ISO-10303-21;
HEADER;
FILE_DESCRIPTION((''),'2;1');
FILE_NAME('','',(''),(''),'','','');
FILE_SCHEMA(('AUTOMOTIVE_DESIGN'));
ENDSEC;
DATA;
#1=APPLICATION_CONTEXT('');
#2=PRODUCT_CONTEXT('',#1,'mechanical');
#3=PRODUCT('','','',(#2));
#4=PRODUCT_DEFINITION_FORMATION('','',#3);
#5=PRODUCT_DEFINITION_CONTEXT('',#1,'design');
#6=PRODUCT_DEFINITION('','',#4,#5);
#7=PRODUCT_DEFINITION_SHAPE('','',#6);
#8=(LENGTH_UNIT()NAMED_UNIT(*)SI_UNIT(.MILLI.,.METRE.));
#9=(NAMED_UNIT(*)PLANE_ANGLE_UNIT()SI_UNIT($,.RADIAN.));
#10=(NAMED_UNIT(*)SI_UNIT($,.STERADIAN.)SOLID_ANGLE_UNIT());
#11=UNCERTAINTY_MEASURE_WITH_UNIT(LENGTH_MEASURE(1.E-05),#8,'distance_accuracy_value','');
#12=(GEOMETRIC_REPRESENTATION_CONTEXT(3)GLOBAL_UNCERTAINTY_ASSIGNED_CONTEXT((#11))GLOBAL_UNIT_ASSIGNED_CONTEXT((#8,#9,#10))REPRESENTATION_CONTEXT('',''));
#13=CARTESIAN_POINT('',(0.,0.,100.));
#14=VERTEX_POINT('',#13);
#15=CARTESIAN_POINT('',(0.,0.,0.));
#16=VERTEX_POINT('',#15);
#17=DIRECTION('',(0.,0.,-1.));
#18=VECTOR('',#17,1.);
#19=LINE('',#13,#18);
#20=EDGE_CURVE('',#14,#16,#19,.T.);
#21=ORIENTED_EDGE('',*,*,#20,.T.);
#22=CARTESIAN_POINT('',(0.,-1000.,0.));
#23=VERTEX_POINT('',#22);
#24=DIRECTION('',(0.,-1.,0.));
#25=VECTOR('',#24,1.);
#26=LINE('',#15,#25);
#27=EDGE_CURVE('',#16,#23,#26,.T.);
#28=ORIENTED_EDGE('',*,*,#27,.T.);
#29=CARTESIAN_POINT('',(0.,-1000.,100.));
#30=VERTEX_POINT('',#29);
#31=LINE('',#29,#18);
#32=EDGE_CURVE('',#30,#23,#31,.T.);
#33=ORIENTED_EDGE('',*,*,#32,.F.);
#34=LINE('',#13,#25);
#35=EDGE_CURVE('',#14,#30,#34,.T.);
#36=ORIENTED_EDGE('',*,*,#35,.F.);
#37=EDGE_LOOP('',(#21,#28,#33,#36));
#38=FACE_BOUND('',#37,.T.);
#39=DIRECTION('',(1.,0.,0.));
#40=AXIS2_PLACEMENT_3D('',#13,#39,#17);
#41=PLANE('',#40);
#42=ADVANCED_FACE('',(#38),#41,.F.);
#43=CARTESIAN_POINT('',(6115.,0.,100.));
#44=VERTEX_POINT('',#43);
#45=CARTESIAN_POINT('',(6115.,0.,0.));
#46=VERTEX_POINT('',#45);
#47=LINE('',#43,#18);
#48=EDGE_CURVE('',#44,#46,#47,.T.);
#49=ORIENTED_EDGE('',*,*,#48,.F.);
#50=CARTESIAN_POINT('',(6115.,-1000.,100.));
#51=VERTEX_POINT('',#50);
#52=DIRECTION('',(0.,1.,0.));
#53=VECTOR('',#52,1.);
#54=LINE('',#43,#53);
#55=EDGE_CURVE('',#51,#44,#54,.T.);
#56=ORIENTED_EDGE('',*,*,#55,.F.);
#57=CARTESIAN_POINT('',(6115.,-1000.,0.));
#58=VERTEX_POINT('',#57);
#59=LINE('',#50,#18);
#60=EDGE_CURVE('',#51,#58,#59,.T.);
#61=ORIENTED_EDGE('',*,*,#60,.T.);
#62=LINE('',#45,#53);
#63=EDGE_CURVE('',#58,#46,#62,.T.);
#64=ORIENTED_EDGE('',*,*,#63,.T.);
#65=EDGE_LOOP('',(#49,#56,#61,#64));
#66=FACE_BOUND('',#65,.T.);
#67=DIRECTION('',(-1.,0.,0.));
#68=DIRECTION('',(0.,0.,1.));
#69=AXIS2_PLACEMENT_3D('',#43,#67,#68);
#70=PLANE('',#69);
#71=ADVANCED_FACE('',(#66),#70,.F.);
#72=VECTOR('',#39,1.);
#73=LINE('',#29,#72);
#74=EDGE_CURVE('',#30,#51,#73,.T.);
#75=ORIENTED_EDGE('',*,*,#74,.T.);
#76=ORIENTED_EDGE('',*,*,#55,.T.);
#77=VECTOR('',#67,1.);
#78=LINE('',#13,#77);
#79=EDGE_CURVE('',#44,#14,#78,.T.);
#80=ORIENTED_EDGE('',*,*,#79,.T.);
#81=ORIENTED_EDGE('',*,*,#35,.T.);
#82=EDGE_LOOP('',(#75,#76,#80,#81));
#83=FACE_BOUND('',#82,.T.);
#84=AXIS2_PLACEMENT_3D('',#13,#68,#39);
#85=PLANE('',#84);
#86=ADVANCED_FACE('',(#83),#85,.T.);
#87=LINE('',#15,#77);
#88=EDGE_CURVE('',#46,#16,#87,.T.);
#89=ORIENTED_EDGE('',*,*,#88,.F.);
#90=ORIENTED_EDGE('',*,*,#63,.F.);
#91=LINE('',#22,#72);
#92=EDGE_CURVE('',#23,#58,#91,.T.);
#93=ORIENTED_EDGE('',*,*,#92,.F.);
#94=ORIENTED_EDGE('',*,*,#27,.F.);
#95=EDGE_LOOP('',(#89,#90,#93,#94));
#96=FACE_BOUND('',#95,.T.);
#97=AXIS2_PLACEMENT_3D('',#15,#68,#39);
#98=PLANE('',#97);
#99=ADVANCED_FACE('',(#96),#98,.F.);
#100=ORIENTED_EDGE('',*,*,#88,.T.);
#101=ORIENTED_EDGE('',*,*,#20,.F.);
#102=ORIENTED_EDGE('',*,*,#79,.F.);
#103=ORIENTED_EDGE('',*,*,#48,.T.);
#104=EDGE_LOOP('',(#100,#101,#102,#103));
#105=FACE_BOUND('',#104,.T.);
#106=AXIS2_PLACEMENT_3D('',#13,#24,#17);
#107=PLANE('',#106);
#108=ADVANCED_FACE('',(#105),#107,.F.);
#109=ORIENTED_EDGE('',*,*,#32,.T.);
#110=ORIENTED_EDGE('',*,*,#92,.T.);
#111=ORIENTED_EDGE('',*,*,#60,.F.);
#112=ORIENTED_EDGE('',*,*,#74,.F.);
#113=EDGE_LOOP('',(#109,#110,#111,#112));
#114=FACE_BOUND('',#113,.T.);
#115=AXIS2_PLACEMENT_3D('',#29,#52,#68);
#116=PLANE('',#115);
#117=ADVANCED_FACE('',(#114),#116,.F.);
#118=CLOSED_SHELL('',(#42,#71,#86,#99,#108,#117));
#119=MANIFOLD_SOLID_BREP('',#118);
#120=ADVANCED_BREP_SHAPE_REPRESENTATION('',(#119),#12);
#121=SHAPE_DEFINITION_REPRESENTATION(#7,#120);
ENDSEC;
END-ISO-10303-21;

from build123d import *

# Parameters (mm, degrees)
SKETCH_1_W      = 6115
SKETCH_1_H      = 1000
EXTRUDE_1_DEPTH = 100


with BuildPart() as part:
    # Эскиз1 → Бобышка-Вытянуть1 (new body)
    with BuildSketch(Plane.XY):
        with Locations((3057.5, -500)):
            Rectangle(SKETCH_1_W, SKETCH_1_H)
    extrude(amount=EXTRUDE_1_DEPTH)


solid = part.part
